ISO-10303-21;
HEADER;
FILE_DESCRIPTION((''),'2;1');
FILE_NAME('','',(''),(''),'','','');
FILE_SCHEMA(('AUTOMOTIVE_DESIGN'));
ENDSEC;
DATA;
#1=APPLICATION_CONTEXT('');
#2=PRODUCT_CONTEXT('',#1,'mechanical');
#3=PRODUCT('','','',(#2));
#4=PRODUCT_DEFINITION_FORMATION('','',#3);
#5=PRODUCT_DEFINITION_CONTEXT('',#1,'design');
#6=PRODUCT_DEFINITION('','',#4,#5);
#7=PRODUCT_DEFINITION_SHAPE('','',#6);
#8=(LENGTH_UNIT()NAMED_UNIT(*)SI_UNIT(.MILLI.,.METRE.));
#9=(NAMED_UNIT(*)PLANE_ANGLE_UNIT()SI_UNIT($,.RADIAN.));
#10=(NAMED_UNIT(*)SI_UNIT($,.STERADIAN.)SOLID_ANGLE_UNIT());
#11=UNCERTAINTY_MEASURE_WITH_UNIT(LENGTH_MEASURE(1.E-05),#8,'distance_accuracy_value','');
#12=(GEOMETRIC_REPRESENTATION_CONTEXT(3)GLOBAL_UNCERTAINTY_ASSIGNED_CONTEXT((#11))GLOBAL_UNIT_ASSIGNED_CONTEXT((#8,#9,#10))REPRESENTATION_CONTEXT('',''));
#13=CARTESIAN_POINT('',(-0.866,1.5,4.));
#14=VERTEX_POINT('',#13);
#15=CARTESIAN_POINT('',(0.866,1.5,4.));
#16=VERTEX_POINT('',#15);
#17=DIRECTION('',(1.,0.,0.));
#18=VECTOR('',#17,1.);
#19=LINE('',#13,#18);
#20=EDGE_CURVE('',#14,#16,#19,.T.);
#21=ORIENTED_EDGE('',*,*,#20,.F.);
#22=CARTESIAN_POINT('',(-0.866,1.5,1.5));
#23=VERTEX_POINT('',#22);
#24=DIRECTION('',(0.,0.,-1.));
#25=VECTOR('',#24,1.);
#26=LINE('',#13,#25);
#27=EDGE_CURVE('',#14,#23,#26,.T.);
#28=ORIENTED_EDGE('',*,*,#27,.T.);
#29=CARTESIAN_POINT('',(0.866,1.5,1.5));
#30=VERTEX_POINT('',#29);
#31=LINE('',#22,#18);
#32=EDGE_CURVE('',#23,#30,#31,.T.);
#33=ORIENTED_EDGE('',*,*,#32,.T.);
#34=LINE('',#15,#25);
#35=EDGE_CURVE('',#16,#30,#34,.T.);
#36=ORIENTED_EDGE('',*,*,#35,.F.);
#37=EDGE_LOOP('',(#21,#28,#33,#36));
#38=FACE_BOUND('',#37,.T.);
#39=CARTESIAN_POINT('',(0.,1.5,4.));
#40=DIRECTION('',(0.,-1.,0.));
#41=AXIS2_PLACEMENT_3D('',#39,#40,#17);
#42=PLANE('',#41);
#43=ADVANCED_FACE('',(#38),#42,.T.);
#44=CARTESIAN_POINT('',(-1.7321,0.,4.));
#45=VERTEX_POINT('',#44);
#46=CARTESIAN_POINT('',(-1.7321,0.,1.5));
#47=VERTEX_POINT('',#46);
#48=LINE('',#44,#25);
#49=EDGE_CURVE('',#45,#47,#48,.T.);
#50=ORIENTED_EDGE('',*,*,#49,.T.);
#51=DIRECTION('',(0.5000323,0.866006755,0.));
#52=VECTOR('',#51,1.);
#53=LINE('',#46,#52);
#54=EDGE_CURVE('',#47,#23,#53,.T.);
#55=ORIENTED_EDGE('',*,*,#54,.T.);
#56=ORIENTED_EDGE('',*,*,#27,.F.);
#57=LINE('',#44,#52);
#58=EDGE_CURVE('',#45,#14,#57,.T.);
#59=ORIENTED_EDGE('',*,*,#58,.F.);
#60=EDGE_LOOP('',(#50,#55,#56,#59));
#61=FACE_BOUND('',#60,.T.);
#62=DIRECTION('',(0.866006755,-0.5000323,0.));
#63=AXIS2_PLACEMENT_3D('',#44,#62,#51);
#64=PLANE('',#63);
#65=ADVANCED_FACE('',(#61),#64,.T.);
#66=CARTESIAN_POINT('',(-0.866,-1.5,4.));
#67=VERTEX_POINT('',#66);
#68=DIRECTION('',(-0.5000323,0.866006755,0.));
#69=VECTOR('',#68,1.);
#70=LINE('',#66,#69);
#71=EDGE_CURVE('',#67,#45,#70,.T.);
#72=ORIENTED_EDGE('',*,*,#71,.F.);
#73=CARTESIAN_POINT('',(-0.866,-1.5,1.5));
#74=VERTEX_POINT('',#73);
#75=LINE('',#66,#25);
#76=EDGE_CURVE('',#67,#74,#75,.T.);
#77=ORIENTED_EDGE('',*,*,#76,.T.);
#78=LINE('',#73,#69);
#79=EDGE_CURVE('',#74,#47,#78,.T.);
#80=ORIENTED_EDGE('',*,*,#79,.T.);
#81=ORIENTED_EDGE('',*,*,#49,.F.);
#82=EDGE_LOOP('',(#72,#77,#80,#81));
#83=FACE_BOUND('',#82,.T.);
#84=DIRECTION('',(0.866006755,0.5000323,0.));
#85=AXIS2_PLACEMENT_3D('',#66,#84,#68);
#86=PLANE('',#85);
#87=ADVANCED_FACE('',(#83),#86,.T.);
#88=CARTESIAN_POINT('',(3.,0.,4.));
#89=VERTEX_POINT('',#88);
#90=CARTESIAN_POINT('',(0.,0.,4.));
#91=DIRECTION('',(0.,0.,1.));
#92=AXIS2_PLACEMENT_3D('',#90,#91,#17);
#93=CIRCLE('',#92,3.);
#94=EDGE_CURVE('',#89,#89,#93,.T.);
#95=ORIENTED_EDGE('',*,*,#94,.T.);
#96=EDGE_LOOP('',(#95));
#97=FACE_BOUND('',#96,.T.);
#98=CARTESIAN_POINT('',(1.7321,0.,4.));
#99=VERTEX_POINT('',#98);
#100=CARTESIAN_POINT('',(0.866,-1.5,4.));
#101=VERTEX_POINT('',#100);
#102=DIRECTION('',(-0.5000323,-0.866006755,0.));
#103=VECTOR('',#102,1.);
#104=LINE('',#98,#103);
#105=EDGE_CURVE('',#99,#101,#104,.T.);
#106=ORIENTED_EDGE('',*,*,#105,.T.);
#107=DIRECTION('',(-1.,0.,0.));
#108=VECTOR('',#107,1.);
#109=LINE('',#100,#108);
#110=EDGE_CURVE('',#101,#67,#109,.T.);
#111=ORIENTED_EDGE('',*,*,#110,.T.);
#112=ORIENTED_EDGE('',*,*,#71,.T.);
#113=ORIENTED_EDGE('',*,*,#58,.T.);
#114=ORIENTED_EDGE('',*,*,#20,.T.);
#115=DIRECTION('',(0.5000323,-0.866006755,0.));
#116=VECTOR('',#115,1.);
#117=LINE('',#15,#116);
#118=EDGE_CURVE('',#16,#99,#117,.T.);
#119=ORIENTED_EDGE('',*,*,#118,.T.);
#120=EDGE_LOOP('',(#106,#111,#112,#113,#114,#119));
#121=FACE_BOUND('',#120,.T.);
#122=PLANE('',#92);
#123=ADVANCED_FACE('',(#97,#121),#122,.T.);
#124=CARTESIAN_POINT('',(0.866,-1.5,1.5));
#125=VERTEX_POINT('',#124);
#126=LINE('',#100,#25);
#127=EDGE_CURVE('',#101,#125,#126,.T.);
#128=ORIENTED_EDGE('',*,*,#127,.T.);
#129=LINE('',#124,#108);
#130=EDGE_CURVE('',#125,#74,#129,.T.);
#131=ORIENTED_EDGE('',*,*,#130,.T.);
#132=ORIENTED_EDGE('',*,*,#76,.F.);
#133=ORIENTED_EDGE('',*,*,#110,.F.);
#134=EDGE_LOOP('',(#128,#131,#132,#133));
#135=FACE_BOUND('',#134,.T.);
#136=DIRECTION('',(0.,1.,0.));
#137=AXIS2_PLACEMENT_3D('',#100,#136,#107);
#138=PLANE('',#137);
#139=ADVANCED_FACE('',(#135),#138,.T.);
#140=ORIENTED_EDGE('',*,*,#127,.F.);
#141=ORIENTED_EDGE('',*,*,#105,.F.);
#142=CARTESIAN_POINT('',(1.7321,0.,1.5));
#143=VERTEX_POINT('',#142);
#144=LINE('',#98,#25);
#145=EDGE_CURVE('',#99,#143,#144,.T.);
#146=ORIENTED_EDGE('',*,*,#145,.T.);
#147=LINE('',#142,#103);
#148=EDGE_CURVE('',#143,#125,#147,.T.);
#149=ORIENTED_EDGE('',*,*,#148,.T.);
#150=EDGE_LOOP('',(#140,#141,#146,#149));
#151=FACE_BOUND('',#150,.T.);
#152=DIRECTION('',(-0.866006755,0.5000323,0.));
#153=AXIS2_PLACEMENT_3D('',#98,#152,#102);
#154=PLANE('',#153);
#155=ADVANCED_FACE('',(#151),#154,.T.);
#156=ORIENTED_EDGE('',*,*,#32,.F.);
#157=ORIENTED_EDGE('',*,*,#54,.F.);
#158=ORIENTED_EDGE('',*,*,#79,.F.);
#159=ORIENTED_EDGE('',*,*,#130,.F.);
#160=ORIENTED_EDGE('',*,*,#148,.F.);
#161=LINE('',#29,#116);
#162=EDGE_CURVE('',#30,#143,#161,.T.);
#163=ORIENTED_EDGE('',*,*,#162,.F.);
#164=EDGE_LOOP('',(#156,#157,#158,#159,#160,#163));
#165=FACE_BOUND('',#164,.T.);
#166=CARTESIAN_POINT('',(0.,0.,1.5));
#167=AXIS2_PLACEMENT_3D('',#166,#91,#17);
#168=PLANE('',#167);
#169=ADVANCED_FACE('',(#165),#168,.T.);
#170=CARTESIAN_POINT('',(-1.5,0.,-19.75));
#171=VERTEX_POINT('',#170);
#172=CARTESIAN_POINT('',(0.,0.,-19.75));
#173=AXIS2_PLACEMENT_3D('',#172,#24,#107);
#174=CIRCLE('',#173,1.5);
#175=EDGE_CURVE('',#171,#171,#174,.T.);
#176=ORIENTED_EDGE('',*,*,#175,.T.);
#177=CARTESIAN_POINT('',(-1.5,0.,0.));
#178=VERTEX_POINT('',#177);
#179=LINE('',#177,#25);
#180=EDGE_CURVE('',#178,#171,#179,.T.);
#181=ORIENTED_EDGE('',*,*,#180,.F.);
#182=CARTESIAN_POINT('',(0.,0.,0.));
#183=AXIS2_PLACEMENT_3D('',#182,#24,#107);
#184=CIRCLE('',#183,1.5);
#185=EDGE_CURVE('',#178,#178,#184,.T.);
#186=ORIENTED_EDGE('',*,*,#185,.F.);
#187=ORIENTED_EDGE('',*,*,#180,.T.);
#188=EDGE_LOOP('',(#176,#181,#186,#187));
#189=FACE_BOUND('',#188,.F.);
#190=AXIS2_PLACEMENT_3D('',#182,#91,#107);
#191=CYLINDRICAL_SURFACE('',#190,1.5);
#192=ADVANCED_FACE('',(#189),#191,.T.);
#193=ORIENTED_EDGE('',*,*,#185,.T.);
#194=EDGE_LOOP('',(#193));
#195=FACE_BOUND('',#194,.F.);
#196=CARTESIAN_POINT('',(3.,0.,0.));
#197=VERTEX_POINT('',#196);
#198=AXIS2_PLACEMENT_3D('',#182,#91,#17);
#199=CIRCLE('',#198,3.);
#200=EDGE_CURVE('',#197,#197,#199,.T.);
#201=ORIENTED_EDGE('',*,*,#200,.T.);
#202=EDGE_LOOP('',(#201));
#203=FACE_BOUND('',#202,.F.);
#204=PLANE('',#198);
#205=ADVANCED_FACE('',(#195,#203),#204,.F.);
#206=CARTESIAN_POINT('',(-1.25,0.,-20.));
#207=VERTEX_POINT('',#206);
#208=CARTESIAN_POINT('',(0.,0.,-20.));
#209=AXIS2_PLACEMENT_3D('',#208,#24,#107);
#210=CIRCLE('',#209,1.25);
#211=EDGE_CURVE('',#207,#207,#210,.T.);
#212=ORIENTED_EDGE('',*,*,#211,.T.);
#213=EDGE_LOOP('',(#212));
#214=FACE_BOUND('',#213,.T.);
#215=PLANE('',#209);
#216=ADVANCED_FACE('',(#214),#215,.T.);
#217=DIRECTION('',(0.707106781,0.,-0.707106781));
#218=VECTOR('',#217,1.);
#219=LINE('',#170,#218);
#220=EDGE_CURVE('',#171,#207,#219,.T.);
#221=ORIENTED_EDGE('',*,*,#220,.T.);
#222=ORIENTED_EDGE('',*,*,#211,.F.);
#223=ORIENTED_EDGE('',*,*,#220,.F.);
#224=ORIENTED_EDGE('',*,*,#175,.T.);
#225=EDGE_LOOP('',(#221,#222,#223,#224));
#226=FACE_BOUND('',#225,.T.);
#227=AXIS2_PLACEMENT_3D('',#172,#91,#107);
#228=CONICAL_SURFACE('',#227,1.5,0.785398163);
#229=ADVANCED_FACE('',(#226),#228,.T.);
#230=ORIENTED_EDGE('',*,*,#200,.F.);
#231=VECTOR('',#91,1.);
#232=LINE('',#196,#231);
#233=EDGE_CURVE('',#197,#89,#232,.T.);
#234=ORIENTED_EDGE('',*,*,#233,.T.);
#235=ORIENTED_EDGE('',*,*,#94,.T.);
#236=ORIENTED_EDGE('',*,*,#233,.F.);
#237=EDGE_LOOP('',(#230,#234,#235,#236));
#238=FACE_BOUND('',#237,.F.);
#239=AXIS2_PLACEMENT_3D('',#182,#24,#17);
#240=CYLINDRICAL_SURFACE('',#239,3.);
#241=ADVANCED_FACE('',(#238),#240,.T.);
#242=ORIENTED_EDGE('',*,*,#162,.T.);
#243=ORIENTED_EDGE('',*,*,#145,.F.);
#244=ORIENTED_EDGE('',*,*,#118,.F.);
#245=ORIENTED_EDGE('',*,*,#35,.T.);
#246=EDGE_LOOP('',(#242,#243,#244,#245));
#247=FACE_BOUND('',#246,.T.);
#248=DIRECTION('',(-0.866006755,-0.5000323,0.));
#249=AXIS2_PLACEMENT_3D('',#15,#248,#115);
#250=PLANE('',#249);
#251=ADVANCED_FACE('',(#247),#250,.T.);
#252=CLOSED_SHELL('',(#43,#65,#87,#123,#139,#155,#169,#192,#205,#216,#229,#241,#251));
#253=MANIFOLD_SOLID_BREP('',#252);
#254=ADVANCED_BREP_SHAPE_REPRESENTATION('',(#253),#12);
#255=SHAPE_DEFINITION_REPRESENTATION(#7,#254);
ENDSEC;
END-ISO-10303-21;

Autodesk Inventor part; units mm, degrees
ref_plane "YZ Plane" through (0, 0, 0) normal (1, 0, 0) x (0, 1, 0)
ref_plane "XZ Plane" through (0, 0, 0) normal (0, 1, 0) x (-1, 0, 0)
ref_plane "XY Plane" through (0, 0, 0) normal (0, 0, 1) x (1, 0, 0)
sketch "草图1" plane through (0, 0, 0) normal (0, 0, 1) x (1, 0, 0)
  circle A0 centre (0, 0) radius 3
  dimension "d0" = 6
extrude "拉伸1" add sketch "草图1" along normal blind 4
sketch "草图2" plane through (0, 0, 4) normal (0, 0, 1) x (1, 0, 0)
  line L0 (0.866, -1.5) -> (-0.866, -1.5)
  line L1 (-0.866, -1.5) -> (-1.7321, 0)
  line L2 (-1.7321, 0) -> (-0.866, 1.5)
  line L3 (-0.866, 1.5) -> (0.866, 1.5)
  line L4 (0.866, 1.5) -> (1.7321, 0)
  line L5 (1.7321, 0) -> (0.866, -1.5)
  line L6 (0, 0) -> (0, 1.5)
  dimension "d3" = 3
extrude "拉伸2" cut sketch "草图2" against normal blind 2.5
sketch "草图3" plane through (0, 0, 0) normal (0, 0, -1) x (-1, 0, 0)
  circle A0 centre (0, 0) radius 1.5
  dimension "d6" = 3
extrude "拉伸3" add sketch "草图3" along normal blind 20
thread "螺纹1" size "M3x0.5" class "6g" standard "ANSI Metric M Profile" length 10
chamfer "倒角1" distance 0.25 angle 45 1 edges at (1.5, 0, -20)
properties part number "刀轴拨叉紧固螺丝"
